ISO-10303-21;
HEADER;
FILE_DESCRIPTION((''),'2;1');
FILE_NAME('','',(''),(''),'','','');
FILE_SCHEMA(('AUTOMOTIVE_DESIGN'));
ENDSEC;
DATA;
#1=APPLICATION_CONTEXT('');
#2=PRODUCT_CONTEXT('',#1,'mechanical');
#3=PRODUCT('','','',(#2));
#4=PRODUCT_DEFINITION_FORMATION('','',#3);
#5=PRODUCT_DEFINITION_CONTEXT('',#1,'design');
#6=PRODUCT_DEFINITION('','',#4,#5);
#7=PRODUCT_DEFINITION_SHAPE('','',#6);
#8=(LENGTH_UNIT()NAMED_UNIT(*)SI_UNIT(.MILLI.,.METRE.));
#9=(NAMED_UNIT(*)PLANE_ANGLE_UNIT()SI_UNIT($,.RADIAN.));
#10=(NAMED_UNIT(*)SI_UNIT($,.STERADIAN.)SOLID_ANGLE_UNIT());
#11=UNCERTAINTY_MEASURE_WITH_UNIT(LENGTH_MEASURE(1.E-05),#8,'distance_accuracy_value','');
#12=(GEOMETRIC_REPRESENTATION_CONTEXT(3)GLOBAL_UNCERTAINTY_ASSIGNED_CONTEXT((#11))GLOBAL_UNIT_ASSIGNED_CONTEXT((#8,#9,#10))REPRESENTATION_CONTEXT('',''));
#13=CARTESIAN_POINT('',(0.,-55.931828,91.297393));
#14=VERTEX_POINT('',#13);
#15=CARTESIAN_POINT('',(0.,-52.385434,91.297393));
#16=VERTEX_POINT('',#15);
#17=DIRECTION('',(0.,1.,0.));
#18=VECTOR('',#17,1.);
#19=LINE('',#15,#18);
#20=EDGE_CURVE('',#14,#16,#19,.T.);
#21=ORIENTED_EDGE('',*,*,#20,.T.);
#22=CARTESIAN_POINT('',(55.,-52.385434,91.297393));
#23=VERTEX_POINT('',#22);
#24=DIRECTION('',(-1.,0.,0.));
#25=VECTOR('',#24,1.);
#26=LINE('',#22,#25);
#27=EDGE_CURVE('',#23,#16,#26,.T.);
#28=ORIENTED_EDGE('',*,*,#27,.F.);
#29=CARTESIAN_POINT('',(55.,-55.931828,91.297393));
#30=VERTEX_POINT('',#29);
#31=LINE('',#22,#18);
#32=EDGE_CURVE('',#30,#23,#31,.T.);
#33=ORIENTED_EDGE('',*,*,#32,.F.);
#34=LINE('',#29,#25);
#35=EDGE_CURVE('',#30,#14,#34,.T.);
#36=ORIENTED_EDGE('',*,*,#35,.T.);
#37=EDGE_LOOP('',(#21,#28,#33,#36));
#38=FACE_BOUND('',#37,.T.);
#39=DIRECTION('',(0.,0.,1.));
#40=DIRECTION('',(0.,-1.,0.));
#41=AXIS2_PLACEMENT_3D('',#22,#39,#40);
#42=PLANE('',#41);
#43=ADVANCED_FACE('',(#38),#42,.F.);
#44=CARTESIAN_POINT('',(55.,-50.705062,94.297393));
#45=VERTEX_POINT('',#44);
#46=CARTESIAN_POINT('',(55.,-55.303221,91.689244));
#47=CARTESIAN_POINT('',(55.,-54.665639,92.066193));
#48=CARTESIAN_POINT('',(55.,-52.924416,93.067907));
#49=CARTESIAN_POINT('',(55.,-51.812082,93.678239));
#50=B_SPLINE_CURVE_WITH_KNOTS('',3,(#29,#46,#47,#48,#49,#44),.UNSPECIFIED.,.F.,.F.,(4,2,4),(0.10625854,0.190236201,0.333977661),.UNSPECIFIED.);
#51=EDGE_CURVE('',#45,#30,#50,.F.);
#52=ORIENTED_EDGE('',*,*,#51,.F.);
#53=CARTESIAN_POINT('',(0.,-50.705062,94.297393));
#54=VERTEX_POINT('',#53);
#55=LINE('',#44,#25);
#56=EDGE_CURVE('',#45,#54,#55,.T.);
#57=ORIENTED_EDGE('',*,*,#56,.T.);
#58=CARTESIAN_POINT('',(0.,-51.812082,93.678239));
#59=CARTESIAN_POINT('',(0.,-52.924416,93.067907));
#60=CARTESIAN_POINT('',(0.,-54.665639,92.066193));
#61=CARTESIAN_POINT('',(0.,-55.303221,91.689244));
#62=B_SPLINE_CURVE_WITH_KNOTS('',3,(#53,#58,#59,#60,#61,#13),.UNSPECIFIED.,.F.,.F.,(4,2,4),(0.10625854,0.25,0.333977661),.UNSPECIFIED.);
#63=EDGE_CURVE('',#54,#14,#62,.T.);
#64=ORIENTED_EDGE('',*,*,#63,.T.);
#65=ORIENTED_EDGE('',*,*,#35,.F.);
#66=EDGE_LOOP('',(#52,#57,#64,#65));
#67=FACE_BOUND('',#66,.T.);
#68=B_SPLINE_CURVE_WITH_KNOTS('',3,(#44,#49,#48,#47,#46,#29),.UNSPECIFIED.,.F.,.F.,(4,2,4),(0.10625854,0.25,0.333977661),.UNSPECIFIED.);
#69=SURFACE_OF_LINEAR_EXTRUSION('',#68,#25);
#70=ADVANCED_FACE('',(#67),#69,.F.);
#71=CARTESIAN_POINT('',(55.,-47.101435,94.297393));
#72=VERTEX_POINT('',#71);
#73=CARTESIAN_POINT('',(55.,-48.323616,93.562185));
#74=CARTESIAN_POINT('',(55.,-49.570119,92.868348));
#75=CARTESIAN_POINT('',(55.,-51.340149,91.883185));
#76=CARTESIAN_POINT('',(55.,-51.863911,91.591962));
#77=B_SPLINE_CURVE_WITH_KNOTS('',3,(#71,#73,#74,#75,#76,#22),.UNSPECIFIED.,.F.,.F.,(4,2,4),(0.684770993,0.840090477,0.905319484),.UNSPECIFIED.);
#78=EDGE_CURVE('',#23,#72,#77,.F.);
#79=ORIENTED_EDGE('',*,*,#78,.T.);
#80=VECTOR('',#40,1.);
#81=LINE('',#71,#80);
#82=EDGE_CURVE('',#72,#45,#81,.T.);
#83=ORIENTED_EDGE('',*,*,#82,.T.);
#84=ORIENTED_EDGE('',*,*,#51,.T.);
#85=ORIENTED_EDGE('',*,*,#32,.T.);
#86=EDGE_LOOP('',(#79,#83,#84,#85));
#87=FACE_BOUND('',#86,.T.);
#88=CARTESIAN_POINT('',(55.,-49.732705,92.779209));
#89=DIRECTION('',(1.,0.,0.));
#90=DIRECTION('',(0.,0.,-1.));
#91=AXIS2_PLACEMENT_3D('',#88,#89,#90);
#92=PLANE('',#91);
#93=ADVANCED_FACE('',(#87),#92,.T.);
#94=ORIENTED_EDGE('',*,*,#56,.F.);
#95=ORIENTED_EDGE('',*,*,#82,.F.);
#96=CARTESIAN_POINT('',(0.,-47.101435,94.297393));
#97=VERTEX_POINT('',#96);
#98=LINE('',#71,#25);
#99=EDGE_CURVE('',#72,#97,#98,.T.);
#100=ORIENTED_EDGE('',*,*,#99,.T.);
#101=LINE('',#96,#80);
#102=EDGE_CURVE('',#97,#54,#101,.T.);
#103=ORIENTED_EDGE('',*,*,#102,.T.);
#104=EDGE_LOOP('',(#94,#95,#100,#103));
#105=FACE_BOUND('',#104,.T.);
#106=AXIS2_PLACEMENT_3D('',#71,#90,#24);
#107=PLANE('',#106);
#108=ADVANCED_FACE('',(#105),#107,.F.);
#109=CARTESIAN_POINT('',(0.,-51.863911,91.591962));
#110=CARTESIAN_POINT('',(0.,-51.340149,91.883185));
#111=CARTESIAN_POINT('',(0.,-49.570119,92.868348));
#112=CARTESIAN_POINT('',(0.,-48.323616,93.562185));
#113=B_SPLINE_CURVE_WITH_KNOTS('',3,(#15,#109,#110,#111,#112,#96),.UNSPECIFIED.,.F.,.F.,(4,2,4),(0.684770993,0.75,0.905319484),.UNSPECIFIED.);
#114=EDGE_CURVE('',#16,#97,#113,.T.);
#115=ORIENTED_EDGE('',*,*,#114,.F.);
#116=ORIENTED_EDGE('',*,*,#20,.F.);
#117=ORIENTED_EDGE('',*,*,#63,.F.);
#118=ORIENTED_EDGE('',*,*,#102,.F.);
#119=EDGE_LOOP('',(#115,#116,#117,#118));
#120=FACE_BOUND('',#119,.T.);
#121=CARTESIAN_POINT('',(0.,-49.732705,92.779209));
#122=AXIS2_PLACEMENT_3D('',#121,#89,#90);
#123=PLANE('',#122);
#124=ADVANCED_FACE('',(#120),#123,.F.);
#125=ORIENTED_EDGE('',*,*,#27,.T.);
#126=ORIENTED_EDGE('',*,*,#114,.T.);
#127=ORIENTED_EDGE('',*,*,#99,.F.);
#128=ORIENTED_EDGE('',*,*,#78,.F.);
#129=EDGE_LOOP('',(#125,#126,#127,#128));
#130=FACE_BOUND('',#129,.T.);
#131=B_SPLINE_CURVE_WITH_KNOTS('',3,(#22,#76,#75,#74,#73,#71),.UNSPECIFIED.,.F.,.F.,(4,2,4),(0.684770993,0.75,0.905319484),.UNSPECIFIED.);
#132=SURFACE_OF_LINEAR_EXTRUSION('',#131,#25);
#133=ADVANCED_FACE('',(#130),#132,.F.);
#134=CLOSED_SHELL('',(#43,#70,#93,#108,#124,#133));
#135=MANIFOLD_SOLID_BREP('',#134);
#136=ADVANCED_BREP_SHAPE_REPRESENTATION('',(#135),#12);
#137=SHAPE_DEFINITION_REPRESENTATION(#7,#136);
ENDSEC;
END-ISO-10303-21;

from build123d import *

# Parameters (mm, degrees)
BOSS_EXTRUDE1_DEPTH = 55


with BuildPart() as part:
    # Sketch1 → Boss-Extrude1 (new body)
    with BuildSketch(Plane(origin=(0, 0, 0), x_dir=(0, 0, -1), z_dir=(1, 0, 0))):
        with BuildLine():
            Line((-94.297393358, -47.101434774), (-94.297393358, -50.705061555))
            add(Edge.make_bspline(
                [(-94.297393358, -50.705061555), (-93.67823928, -51.812081864), (-93.067906607, -52.924415572), (-92.066192837, -54.66563879), (-91.689243803, -55.303221166), (-91.297393358, -55.931827973)],
                knots=[0.10625854, 0.10625854, 0.10625854, 0.10625854, 0.25, 0.25, 0.333977661, 0.333977661, 0.333977661, 0.333977661], degree=3))
            Line((-91.297393358, -55.931827973), (-91.297393358, -52.385434096))
            add(Edge.make_bspline(
                [(-91.297393358, -52.385434096), (-91.591962101, -51.863911266), (-91.883184972, -51.340149172), (-92.868348217, -49.570119371), (-93.562184819, -48.323615763), (-94.297393358, -47.101434774)],
                knots=[0.684770993, 0.684770993, 0.684770993, 0.684770993, 0.75, 0.75, 0.905319484, 0.905319484, 0.905319484, 0.905319484], degree=3))
        make_face()
    extrude(amount=BOSS_EXTRUDE1_DEPTH)


solid = part.part
